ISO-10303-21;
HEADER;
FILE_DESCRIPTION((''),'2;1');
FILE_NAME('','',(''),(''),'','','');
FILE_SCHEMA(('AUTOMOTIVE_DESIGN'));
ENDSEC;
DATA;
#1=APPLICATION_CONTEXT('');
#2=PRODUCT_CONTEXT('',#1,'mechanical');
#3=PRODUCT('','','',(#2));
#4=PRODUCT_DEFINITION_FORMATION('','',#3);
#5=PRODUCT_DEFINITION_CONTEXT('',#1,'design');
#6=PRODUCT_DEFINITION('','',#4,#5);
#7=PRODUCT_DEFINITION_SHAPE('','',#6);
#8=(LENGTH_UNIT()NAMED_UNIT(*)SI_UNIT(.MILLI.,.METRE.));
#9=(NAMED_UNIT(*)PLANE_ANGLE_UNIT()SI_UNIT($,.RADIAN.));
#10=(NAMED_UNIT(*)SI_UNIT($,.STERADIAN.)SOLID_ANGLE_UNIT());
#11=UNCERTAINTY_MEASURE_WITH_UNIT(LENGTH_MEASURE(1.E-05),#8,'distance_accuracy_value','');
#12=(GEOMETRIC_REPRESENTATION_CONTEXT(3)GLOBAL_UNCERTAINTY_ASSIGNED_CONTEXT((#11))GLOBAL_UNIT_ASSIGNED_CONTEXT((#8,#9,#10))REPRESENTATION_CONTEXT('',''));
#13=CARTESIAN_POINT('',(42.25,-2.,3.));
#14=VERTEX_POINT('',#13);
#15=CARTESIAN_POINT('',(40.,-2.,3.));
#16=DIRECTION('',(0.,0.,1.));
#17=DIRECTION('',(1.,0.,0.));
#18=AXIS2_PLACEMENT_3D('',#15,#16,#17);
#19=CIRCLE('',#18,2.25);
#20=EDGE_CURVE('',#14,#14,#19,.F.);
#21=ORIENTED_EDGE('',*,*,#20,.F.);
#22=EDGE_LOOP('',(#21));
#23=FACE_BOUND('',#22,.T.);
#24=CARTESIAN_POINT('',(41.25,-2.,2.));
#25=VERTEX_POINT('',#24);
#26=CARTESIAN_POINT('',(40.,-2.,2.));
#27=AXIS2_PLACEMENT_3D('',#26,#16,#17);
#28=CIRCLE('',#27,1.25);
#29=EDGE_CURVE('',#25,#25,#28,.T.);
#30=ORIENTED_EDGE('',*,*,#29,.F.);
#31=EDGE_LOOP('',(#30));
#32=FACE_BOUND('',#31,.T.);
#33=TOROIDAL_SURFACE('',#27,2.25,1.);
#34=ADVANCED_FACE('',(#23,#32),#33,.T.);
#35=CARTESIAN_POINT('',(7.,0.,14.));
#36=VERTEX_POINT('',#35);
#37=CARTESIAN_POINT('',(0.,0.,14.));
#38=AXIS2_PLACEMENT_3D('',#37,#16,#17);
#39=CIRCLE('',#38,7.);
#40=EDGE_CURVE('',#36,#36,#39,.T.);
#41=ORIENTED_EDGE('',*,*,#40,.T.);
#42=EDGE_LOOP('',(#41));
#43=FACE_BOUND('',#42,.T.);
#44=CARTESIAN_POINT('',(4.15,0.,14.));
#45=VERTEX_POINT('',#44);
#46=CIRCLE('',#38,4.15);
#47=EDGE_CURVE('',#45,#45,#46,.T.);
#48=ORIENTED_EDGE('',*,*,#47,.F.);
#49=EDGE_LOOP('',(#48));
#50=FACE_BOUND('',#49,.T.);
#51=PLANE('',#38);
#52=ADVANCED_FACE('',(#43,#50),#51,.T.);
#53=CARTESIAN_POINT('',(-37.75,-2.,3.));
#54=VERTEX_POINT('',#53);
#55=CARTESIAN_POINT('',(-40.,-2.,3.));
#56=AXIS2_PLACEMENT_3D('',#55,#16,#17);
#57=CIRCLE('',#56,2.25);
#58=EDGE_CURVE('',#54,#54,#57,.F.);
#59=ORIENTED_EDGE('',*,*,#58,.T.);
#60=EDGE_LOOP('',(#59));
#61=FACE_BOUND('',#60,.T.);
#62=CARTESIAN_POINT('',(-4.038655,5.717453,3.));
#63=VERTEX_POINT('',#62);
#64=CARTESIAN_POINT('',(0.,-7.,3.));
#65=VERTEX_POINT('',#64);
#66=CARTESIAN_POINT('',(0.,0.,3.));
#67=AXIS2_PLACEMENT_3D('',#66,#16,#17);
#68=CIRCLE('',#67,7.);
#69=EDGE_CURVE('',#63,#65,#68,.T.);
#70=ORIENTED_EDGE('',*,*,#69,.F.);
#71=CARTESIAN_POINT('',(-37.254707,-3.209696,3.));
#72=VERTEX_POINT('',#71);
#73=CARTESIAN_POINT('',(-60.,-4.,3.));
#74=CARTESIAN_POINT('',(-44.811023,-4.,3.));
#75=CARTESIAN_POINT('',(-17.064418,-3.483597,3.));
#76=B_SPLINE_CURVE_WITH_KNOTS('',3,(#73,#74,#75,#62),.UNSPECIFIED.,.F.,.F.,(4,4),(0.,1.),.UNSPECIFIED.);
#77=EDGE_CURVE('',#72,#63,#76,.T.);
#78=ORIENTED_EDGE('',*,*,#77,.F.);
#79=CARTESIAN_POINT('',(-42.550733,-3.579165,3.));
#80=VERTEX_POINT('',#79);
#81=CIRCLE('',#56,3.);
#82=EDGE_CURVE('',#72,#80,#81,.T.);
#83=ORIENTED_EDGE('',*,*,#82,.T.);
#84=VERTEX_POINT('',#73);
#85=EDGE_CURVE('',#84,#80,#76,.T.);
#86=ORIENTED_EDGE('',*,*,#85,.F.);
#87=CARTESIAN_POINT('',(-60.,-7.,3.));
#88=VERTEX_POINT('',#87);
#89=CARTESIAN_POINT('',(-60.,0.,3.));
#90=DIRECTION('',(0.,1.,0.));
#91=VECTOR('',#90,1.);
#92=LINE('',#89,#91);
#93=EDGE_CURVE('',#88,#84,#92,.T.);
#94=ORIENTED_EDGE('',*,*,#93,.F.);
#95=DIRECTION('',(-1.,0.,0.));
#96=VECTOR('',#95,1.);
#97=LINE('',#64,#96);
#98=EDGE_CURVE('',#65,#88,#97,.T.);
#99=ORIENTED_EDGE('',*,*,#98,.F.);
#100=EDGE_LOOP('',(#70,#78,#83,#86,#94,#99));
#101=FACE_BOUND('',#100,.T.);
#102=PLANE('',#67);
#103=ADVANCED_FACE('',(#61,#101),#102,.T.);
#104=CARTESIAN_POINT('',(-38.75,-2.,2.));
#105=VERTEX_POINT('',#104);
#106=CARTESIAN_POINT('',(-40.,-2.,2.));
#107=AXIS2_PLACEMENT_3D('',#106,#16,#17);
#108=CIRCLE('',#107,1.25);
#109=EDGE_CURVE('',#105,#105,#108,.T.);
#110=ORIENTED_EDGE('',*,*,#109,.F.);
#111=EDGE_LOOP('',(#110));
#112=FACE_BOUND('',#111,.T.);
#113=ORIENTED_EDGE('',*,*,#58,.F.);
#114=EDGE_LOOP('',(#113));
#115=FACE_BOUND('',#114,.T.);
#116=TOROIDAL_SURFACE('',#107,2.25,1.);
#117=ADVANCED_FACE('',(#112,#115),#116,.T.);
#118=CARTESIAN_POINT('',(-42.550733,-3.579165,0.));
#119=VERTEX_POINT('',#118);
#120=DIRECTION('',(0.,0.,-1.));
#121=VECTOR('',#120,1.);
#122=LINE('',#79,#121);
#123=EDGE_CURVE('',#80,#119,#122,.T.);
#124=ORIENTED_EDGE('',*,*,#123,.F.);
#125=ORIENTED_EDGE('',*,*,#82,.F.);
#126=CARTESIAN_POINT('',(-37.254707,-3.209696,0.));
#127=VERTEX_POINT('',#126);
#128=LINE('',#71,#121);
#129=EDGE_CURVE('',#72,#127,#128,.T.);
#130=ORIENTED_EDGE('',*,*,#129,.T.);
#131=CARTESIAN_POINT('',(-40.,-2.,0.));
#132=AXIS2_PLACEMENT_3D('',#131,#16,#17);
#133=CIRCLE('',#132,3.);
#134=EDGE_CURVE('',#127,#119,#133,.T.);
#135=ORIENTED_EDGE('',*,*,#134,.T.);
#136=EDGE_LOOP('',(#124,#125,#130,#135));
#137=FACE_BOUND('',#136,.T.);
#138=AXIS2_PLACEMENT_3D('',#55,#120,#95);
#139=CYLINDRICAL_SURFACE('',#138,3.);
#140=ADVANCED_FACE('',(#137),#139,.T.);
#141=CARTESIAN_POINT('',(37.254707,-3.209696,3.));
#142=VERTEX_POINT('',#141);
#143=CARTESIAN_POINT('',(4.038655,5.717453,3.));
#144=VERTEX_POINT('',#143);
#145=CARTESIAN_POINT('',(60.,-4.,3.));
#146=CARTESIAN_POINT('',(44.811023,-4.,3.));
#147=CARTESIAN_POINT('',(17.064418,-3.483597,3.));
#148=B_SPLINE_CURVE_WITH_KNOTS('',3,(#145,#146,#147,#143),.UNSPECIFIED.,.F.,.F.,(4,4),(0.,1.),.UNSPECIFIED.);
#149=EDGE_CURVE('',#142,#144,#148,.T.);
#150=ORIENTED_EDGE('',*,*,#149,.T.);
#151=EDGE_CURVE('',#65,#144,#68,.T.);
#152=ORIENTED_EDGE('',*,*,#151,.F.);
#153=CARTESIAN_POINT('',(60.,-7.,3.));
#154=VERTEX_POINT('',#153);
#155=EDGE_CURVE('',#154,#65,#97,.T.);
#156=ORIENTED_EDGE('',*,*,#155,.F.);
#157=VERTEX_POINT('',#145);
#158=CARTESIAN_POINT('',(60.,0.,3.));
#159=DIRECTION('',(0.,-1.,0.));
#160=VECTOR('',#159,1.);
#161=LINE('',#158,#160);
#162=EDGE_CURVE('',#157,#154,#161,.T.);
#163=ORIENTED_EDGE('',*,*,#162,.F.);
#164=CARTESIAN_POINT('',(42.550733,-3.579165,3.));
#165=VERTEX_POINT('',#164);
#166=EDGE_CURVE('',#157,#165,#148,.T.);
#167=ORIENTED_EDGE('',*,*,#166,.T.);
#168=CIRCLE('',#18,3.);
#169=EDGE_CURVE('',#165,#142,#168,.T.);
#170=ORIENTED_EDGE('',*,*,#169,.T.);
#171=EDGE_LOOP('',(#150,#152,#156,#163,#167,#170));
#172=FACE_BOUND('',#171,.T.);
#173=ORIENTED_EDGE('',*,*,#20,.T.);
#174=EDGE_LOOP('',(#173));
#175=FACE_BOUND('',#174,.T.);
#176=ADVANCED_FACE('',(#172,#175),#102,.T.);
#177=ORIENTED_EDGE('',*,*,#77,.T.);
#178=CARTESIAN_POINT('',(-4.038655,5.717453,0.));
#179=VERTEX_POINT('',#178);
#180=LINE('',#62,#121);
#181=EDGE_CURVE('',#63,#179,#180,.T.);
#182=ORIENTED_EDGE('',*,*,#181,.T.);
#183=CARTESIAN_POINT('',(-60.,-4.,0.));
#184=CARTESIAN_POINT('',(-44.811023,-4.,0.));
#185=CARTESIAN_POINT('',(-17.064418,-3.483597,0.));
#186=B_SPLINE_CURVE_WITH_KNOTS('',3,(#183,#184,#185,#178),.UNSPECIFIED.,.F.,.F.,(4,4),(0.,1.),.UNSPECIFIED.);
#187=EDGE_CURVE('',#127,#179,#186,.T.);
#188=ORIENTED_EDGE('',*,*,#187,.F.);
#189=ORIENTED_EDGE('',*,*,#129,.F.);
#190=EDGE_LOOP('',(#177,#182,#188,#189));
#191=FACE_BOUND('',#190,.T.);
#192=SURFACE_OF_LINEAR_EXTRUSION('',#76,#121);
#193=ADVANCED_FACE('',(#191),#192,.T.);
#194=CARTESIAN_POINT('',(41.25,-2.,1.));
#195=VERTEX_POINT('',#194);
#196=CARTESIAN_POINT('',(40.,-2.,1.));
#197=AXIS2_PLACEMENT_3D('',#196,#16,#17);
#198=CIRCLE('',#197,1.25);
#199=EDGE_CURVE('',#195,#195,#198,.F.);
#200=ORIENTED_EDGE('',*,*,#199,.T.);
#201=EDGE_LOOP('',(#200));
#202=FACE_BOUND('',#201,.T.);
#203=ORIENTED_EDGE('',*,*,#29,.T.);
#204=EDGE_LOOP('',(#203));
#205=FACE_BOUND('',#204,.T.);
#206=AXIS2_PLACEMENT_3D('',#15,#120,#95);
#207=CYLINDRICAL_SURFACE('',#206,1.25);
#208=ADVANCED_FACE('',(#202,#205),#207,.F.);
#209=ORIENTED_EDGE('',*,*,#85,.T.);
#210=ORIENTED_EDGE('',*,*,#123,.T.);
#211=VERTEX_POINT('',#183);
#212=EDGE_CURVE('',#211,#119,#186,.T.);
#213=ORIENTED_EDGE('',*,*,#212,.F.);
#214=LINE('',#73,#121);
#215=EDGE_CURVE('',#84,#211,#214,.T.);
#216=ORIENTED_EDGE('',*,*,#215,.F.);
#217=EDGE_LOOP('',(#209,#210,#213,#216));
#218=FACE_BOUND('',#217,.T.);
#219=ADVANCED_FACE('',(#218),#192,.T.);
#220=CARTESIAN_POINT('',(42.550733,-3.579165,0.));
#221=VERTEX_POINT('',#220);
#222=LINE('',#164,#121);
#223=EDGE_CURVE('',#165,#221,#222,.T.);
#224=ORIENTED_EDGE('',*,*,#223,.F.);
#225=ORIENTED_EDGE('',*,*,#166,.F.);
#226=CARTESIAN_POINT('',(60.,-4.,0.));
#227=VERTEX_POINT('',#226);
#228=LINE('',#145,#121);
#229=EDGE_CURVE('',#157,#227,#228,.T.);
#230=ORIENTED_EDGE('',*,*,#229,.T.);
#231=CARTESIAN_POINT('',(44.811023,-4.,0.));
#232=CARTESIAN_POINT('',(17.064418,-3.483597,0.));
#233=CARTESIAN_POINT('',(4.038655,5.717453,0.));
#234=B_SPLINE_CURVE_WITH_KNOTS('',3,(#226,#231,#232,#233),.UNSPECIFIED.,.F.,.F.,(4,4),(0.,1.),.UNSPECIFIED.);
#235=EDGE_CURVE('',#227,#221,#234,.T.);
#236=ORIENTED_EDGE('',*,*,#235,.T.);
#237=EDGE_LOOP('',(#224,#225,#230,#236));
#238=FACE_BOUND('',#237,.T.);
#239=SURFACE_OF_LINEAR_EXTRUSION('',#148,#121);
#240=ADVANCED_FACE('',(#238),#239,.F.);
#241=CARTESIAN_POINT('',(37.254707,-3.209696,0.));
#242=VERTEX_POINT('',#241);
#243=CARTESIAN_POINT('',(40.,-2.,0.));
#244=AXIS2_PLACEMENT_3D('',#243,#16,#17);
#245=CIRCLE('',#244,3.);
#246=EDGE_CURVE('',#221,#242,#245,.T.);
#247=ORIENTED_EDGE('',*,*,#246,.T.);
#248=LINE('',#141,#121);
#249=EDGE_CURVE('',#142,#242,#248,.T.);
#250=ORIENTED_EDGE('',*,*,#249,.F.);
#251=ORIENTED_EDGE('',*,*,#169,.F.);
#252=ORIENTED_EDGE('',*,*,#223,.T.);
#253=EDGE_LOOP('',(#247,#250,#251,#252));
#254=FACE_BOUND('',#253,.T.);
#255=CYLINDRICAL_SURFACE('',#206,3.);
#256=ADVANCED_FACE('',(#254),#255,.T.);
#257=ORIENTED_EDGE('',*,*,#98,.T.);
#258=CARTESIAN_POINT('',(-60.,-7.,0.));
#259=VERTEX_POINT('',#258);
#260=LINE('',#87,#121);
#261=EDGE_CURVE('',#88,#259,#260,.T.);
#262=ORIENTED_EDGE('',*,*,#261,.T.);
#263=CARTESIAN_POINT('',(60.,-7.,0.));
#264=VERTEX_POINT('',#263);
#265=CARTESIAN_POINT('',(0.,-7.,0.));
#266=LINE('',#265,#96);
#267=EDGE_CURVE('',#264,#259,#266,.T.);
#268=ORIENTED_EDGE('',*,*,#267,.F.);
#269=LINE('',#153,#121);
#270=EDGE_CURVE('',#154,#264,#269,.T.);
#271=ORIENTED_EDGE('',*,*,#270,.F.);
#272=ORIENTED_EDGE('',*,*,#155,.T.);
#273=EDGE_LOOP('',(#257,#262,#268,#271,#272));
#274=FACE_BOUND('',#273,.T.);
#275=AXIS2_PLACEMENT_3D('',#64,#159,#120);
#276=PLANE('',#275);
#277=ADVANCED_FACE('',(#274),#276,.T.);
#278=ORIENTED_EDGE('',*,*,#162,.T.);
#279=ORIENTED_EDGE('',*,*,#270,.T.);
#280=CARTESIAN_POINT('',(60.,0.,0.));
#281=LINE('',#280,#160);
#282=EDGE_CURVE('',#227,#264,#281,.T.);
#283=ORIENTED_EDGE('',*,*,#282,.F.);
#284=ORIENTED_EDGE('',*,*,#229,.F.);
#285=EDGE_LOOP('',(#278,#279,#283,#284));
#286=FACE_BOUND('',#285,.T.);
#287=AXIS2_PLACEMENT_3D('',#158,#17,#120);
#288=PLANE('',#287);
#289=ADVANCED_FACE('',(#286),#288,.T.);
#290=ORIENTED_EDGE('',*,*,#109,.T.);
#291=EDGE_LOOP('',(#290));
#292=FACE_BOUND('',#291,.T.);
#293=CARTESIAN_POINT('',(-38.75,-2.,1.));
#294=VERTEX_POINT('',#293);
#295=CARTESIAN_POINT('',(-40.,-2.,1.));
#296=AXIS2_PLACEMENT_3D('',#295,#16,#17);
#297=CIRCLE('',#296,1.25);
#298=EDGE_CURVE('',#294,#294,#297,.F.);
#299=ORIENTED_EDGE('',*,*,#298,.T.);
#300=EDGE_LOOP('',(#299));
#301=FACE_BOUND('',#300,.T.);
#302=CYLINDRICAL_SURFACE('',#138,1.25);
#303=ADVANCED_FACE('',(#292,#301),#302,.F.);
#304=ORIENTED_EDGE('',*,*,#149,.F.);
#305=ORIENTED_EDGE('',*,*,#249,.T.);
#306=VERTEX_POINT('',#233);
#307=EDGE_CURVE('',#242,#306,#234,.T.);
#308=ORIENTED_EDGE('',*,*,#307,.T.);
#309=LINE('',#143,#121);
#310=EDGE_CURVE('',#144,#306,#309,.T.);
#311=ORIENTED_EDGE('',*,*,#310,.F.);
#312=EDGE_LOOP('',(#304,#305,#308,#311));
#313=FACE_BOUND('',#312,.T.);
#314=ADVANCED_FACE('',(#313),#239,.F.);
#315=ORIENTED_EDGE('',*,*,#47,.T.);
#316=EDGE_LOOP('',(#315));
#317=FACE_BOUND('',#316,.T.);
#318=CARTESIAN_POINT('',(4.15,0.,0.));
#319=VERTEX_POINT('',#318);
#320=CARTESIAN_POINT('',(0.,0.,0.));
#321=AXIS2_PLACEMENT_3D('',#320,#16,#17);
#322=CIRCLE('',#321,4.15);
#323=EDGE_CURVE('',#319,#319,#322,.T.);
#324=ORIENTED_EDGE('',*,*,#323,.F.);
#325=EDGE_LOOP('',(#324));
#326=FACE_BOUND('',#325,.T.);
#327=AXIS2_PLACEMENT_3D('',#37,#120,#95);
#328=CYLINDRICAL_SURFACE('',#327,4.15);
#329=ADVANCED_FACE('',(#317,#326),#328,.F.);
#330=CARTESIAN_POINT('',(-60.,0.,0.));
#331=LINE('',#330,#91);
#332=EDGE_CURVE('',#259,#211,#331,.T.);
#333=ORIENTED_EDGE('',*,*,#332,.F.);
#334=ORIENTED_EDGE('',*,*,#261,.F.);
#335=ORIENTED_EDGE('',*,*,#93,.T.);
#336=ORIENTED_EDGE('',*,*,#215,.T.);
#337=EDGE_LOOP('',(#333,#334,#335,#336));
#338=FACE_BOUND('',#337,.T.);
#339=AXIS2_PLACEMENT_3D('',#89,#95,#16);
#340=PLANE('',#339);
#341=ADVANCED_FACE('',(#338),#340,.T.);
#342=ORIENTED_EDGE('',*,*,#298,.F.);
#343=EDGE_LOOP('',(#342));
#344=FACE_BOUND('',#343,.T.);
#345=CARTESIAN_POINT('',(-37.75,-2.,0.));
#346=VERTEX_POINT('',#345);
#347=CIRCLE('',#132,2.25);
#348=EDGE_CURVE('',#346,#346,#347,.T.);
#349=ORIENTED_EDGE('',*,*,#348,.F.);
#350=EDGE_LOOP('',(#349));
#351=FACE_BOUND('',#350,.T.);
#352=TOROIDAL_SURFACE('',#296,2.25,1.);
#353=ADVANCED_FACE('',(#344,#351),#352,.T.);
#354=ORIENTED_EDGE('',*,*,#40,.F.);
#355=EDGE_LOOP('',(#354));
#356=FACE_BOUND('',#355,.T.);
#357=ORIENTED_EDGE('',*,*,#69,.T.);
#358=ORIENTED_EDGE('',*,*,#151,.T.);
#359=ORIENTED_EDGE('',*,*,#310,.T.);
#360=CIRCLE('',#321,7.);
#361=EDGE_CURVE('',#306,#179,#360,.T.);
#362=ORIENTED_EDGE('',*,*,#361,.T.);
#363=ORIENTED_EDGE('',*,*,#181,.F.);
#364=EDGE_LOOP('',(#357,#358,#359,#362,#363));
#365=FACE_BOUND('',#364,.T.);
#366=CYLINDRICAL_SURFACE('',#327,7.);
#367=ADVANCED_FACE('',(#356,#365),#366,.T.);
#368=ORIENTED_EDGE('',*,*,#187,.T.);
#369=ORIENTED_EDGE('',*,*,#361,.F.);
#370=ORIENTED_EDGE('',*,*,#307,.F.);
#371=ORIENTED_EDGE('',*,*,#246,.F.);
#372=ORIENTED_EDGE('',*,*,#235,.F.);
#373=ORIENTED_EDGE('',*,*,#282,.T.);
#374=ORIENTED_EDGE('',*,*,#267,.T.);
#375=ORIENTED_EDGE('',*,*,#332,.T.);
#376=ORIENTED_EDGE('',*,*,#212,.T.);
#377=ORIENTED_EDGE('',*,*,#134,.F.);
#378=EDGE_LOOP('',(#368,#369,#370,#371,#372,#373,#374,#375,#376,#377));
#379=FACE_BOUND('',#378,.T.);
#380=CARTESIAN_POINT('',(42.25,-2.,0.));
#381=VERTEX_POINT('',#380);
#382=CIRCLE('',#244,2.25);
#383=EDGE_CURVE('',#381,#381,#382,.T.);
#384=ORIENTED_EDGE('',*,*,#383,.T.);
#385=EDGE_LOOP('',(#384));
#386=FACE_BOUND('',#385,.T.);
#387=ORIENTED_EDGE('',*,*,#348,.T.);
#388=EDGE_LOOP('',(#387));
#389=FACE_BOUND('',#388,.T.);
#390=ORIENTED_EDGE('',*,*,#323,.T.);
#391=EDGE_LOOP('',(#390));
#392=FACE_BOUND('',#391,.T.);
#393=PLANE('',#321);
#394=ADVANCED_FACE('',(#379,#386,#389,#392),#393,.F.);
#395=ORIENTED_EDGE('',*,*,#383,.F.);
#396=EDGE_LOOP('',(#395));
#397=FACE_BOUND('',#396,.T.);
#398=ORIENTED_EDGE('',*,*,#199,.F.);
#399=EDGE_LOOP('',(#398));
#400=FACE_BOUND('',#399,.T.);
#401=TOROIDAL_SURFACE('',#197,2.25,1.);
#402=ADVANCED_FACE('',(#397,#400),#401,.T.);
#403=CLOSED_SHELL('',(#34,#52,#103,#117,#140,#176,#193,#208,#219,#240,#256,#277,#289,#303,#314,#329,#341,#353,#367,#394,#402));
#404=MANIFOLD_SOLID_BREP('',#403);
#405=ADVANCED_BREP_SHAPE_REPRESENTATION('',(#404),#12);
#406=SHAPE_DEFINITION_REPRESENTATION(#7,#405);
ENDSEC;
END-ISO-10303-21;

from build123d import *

# Parameters (mm, degrees)
SKETCH1_R             = 1.25
BOSS_EXTRUDE1_DEPTH   = 3
BOSS_EXTRUDE1_2_DEPTH = 3
SKETCH1_3_R           = 7
SKETCH1_3_R_2         = 4.15
BOSS_EXTRUDE2_DEPTH   = 14
FILLET1_R             = 1


with BuildPart() as part:
    # Sketch1 → Boss-Extrude1 (new body)
    with BuildSketch(Plane.XY):
        with BuildLine():
            Line((0, -7), (60, -7))
            Line((60, -7), (60, -4))
            add(Edge.make_bspline(
                [(60, -4), (55.163320485, -4), (49.053298786, -3.947636788), (42.55073288, -3.579164898)],
                knots=[0, 0, 0, 0, 0.318433517, 0.318433517, 0.318433517, 0.318433517], degree=3))
            ThreePointArc((42.55073288, -3.579164898), (40.208782774, 0.992726141), (37.254706676, -3.209696062))
            add(Edge.make_bspline(
                [(37.254706676, -3.209696062), (24.804076794, -2.167051335), (11.80488785, 0.231594042), (4.038655229, 5.717452574)],
                knots=[0.403779051, 0.403779051, 0.403779051, 0.403779051, 1, 1, 1, 1], degree=3))
            ThreePointArc((4.038655229, 5.717452574), (6.671662762, -2.118706207), (0, -7))
        make_face()
        with Locations((40, -2)):
            Circle(SKETCH1_R, mode=Mode.SUBTRACT)
    extrude(amount=BOSS_EXTRUDE1_DEPTH)



with BuildPart() as body_2:
    # Sketch1 → Boss-Extrude1 2 (new body)
    with BuildSketch(Plane.XY):
        with BuildLine():
            Line((-60, -7), (0, -7))
            ThreePointArc((0, -7), (-6.671662763, -2.118706204), (-4.038655225, 5.717452578))
            add(Edge.make_bspline(
                [(-37.254706671, -3.209696052), (-24.804076837, -2.16705132), (-11.80488784, 0.231594059), (-4.038655225, 5.717452578)],
                knots=[0.403779054, 0.403779054, 0.403779054, 0.403779054, 1, 1, 1, 1], degree=3))
            ThreePointArc((-37.254706671, -3.209696052), (-40.208782776, 0.992726141), (-42.550732884, -3.579164892))
            add(Edge.make_bspline(
                [(-60, -4), (-55.163320586, -4), (-49.053298864, -3.94763679), (-42.550732884, -3.579164892)],
                knots=[0, 0, 0, 0, 0.31843352, 0.31843352, 0.31843352, 0.31843352], degree=3))
            Line((-60, -4), (-60, -7))
        make_face()
        with Locations((-40, -2)):
            Circle(SKETCH1_R, mode=Mode.SUBTRACT)
    extrude(amount=BOSS_EXTRUDE1_2_DEPTH)


with BuildPart() as part_1:
    add(part.part)

    add(body_2.part)  # Boss-Extrude2 merges body 2
    # Sketch1<3> → Boss-Extrude2 (add)
    with BuildSketch(Plane.XY):
        Circle(SKETCH1_3_R)
        Circle(SKETCH1_3_R_2, mode=Mode.SUBTRACT)
    extrude(amount=BOSS_EXTRUDE2_DEPTH)

    # Fillet1
    fillet1_edges = [part_1.edges().sort_by_distance(p)[0] for p in [
        (38.75, -2, 3),
        (38.75, -2, 0),
        (-41.25, -2, 0),
        (-41.25, -2, 3),
    ]]
    fillet(fillet1_edges, radius=FILLET1_R)


solid = part_1.part
